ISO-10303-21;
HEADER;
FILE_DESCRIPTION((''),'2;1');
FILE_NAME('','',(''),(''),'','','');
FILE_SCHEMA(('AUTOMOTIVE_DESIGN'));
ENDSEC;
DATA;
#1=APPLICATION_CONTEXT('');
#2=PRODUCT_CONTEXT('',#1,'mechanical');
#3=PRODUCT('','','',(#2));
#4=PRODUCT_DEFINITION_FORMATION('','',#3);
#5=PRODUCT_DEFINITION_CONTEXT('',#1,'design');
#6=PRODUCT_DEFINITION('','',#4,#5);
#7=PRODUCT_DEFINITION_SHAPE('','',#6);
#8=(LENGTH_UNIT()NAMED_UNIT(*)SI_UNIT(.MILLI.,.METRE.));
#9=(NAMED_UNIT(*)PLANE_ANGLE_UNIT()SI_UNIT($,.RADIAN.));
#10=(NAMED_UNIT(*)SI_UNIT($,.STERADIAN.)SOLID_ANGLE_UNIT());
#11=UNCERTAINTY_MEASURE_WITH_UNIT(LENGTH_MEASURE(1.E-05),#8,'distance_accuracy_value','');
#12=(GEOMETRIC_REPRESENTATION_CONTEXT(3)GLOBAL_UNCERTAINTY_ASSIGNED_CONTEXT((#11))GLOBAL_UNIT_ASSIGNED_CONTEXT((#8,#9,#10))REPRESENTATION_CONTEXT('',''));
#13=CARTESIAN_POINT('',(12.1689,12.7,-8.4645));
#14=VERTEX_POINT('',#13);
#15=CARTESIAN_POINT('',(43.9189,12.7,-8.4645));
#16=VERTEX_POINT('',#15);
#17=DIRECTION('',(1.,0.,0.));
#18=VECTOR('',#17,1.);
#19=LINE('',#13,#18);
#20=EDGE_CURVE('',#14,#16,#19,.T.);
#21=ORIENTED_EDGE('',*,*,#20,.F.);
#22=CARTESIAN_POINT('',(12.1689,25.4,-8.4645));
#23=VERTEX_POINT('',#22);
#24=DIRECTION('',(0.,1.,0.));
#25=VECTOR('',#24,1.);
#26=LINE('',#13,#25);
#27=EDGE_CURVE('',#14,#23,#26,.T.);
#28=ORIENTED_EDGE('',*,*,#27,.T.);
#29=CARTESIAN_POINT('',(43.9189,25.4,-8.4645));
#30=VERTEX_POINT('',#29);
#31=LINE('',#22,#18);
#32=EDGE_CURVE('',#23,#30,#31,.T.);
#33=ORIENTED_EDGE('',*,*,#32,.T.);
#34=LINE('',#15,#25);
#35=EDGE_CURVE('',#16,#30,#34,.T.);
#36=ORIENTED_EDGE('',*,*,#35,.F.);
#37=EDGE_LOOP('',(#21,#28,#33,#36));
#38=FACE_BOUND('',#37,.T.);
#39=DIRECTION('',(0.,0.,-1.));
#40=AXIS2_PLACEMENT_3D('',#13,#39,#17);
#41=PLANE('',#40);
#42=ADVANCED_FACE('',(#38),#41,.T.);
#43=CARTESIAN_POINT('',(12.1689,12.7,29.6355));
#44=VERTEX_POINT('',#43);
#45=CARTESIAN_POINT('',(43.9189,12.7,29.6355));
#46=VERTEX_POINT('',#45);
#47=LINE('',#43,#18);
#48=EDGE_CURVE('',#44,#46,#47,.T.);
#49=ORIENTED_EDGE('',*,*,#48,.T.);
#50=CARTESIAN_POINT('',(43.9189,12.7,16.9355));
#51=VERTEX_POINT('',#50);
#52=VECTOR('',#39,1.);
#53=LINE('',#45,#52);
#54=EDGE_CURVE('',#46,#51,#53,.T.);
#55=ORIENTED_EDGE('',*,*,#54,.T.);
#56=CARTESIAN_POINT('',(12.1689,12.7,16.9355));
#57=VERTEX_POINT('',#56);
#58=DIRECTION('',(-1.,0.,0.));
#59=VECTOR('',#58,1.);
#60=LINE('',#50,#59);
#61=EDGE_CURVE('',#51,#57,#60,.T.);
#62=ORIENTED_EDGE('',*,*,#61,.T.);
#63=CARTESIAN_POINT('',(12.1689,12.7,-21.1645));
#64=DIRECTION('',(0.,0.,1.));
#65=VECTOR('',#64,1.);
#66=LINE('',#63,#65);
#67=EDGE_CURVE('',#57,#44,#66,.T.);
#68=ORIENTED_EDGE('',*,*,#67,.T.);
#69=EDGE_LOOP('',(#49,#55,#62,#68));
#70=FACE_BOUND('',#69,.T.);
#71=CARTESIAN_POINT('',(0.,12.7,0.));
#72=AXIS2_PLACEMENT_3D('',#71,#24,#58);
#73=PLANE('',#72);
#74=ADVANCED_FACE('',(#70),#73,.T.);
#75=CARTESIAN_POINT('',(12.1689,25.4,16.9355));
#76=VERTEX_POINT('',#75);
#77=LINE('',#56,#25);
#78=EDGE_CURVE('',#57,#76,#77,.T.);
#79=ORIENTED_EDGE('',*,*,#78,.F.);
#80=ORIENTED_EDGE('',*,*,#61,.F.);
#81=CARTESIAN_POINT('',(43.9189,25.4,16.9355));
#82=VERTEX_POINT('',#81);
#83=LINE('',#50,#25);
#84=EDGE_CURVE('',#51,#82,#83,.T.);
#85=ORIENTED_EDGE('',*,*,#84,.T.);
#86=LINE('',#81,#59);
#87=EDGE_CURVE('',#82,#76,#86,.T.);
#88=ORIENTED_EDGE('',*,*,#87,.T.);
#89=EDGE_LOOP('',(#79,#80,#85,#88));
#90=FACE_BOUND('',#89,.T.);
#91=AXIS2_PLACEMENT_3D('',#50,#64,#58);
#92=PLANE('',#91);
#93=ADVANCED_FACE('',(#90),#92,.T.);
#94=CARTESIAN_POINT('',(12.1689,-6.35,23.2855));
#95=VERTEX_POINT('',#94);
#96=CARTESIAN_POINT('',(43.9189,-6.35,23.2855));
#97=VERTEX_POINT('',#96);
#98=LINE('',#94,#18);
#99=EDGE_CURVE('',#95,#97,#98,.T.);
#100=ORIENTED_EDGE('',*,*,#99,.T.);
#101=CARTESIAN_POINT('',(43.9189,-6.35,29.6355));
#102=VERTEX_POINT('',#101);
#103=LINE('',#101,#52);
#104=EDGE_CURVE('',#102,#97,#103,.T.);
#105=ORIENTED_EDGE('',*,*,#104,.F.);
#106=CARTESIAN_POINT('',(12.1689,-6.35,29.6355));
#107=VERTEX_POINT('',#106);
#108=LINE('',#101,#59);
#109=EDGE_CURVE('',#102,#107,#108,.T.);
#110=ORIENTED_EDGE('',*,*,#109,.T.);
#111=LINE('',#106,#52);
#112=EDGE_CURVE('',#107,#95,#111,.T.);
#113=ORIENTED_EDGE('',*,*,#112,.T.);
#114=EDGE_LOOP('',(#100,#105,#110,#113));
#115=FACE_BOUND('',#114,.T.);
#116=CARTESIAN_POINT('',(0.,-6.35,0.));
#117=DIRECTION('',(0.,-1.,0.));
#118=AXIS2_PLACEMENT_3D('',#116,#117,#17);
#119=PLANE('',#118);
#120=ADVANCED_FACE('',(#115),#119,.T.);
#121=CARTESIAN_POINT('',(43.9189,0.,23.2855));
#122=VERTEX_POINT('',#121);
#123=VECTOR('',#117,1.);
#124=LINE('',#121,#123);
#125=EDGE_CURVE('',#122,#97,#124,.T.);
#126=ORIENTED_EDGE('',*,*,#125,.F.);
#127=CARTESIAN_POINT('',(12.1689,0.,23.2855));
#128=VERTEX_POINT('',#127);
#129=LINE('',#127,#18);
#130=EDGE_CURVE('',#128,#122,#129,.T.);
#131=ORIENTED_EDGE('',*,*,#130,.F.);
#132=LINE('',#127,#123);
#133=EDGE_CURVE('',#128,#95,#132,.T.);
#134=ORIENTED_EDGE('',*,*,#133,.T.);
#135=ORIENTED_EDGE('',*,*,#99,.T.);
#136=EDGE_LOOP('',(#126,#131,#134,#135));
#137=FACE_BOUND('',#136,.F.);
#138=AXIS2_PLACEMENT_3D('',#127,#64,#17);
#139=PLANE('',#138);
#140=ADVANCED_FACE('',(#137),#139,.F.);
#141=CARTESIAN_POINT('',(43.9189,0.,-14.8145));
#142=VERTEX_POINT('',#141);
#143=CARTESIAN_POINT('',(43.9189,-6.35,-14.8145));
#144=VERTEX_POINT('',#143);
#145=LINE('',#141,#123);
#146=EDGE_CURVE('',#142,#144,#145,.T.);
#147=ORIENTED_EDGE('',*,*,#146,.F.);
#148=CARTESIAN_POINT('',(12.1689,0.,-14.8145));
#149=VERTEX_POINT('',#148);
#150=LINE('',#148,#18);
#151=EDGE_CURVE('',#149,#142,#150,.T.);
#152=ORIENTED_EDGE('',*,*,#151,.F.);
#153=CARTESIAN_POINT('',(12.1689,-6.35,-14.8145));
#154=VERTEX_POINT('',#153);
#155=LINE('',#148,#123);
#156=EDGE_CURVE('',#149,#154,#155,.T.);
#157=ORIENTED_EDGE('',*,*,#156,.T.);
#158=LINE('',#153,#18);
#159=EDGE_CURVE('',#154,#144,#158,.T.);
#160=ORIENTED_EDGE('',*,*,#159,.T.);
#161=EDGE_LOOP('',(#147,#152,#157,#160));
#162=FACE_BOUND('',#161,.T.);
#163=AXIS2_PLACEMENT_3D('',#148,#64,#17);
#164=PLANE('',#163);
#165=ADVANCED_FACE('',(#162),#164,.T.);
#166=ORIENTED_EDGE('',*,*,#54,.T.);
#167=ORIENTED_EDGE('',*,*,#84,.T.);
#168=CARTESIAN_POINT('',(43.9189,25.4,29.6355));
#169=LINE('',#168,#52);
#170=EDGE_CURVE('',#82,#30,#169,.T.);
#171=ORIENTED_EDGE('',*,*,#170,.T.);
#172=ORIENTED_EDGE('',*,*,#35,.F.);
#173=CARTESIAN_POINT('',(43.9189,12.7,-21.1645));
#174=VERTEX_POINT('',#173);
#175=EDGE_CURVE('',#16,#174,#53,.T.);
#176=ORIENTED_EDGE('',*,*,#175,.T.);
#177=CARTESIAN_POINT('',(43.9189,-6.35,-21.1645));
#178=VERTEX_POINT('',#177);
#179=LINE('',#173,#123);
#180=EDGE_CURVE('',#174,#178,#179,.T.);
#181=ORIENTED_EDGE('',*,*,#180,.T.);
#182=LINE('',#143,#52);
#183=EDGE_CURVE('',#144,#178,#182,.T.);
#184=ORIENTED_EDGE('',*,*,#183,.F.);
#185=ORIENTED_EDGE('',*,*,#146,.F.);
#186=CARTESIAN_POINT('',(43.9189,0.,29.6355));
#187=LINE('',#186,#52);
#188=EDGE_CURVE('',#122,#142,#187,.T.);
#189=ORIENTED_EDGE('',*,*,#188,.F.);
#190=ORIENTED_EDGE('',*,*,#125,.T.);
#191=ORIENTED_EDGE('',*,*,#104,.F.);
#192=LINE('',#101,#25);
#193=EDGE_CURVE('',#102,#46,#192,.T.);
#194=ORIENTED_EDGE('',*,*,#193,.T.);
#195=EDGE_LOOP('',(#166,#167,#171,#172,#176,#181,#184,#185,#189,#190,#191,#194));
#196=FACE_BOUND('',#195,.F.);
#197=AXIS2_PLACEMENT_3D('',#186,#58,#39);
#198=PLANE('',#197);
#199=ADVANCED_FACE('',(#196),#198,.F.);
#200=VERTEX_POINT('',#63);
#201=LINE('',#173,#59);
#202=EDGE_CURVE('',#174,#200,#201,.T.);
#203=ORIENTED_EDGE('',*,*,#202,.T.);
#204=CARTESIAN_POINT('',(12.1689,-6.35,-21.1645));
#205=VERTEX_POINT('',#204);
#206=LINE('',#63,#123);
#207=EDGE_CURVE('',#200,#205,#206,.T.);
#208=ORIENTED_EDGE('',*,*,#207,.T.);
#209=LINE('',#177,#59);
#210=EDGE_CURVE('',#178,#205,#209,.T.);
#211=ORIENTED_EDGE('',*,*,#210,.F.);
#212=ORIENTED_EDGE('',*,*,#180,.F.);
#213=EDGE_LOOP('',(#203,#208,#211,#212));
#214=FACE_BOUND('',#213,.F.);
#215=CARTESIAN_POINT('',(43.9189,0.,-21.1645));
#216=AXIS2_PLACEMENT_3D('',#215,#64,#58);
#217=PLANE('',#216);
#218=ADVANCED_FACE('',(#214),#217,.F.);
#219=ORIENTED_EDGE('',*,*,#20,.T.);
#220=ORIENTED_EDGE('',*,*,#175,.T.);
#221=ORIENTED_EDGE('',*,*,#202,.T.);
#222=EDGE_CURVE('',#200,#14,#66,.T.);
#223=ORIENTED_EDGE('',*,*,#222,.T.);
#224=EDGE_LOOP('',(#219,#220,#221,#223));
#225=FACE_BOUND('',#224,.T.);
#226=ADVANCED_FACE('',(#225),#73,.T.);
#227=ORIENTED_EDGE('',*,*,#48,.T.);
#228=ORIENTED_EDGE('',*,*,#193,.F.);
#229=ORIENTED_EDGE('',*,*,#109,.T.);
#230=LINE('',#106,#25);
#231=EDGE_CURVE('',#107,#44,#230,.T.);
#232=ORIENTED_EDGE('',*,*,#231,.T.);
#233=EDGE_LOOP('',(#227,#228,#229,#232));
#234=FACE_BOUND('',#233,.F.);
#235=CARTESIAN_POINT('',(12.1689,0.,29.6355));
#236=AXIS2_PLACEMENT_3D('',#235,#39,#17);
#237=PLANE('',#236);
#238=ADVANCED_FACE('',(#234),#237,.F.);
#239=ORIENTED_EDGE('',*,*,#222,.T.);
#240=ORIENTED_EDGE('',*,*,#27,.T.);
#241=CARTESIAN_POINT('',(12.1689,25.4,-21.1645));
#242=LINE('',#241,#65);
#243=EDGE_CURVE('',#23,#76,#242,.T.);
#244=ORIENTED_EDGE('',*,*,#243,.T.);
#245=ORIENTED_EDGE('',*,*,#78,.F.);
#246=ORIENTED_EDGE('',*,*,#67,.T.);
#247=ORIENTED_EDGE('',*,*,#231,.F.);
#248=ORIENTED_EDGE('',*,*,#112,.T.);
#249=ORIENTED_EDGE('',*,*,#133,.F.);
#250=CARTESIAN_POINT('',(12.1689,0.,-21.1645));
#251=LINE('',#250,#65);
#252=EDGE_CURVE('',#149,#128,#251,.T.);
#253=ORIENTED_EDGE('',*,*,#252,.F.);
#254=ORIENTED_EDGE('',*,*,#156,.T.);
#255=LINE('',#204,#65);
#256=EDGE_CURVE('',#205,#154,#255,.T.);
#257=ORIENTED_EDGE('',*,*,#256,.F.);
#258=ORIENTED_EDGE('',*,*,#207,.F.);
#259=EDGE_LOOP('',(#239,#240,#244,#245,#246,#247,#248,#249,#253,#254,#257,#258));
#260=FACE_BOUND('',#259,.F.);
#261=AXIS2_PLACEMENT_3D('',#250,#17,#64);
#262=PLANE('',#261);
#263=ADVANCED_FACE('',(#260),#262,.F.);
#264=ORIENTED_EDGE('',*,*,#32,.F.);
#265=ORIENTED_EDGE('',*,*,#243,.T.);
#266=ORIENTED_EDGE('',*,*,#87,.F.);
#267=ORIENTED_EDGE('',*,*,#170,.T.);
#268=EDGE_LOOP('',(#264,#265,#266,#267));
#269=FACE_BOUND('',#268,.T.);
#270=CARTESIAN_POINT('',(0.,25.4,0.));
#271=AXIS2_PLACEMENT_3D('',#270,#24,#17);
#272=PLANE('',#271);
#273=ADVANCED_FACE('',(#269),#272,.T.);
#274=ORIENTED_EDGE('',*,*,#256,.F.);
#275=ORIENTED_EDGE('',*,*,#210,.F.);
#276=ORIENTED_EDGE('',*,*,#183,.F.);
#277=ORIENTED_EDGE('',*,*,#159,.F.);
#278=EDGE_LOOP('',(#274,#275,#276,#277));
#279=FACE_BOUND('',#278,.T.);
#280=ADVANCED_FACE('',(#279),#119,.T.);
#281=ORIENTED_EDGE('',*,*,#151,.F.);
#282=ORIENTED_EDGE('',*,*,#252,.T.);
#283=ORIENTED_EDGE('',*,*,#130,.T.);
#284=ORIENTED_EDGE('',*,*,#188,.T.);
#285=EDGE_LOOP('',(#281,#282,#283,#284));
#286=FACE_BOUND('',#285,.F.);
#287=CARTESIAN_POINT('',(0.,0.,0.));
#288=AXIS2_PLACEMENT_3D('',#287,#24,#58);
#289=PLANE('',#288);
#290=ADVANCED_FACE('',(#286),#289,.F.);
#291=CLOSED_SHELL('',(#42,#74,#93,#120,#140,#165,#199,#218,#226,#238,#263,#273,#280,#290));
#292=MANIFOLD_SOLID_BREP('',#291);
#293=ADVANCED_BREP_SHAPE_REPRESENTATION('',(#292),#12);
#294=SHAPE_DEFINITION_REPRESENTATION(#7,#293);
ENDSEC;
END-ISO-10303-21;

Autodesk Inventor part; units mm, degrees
ref_plane "YZ Plane" through (0, 0, 0) normal (1, 0, 0) x (0, 1, 0)
ref_plane "XZ Plane" through (0, 0, 0) normal (0, 1, 0) x (-1, 0, 0)
ref_plane "XY Plane" through (0, 0, 0) normal (0, 0, 1) x (1, 0, 0)
sketch "Sketch1" plane through (0, 0, 0) normal (0, 1, 0) x (-1, 0, 0)
  line L0 (-12.1689, 29.6355) -> (-43.9189, 29.6355)
  line L1 (-43.9189, 29.6355) -> (-43.9189, -21.1645)
  line L2 (-43.9189, -21.1645) -> (-12.1689, -21.1645)
  line L3 (-12.1689, -21.1645) -> (-12.1689, 29.6355)
  point P0 (0, 0)
  dimension "d0" = 31.75
  dimension "d1" = 50.8
extrude "Extrusion1" add sketch "Sketch1" along normal blind 12.7
sketch "Sketch2" plane through (0, 12.7, 0) normal (0, 1, 0) x (1, 0, 0)
  line L0 (43.9189, -29.6355) -> (43.9189, 21.1645) projected
  line L1 (43.9189, 21.1645) -> (43.9189, 8.4645)
  line L2 (43.9189, -29.6355) -> (43.9189, -16.9355)
  line L3 (12.1689, 21.1645) -> (12.1689, -29.6355) projected
  line L4 (43.9189, -16.9355) -> (12.1689, -16.9355)
  line L5 (12.1689, -16.9355) -> (12.1689, 8.4645)
  line L6 (12.1689, 8.4645) -> (43.9189, 8.4645)
  line L7 (43.9189, 8.4645) -> (43.9189, -16.9355)
  point P0 (0, 0)
  dimension "d4" = 12.7
  dimension "d5" = 12.7
extrude "Extrusion2" add sketch "Sketch2" along normal blind 12.7
sketch "Sketch3" plane through (0, 0, 0) normal (0, -1, 0) x (1, 0, 0)
  line L0 (43.9189, -21.1645) -> (12.1689, -21.1645) projected
  line L1 (12.1689, -21.1645) -> (12.1689, -8.4645) projected
  line L2 (43.9189, -21.1645) -> (12.1689, -21.1645)
  line L3 (12.1689, -21.1645) -> (12.1689, -14.8145)
  line L4 (12.1689, -14.8145) -> (43.9189, -14.8145)
  line L5 (43.9189, -14.8145) -> (43.9189, -21.1645)
  line L6 (43.9189, 29.6355) -> (43.9189, 16.9355) projected
  line L7 (43.9189, 29.6355) -> (12.1689, 29.6355)
  line L8 (12.1689, 29.6355) -> (12.1689, 23.2855)
  line L9 (12.1689, 23.2855) -> (43.9189, 23.2855)
  line L10 (43.9189, 23.2855) -> (43.9189, 29.6355)
  point P0 (0, 0)
  dimension "d8" = 6.35
  dimension "d9" = 6.35
extrude "Extrusion3" add sketch "Sketch3" along normal blind 6.35
properties part number "Unit 7.1 part 2"
